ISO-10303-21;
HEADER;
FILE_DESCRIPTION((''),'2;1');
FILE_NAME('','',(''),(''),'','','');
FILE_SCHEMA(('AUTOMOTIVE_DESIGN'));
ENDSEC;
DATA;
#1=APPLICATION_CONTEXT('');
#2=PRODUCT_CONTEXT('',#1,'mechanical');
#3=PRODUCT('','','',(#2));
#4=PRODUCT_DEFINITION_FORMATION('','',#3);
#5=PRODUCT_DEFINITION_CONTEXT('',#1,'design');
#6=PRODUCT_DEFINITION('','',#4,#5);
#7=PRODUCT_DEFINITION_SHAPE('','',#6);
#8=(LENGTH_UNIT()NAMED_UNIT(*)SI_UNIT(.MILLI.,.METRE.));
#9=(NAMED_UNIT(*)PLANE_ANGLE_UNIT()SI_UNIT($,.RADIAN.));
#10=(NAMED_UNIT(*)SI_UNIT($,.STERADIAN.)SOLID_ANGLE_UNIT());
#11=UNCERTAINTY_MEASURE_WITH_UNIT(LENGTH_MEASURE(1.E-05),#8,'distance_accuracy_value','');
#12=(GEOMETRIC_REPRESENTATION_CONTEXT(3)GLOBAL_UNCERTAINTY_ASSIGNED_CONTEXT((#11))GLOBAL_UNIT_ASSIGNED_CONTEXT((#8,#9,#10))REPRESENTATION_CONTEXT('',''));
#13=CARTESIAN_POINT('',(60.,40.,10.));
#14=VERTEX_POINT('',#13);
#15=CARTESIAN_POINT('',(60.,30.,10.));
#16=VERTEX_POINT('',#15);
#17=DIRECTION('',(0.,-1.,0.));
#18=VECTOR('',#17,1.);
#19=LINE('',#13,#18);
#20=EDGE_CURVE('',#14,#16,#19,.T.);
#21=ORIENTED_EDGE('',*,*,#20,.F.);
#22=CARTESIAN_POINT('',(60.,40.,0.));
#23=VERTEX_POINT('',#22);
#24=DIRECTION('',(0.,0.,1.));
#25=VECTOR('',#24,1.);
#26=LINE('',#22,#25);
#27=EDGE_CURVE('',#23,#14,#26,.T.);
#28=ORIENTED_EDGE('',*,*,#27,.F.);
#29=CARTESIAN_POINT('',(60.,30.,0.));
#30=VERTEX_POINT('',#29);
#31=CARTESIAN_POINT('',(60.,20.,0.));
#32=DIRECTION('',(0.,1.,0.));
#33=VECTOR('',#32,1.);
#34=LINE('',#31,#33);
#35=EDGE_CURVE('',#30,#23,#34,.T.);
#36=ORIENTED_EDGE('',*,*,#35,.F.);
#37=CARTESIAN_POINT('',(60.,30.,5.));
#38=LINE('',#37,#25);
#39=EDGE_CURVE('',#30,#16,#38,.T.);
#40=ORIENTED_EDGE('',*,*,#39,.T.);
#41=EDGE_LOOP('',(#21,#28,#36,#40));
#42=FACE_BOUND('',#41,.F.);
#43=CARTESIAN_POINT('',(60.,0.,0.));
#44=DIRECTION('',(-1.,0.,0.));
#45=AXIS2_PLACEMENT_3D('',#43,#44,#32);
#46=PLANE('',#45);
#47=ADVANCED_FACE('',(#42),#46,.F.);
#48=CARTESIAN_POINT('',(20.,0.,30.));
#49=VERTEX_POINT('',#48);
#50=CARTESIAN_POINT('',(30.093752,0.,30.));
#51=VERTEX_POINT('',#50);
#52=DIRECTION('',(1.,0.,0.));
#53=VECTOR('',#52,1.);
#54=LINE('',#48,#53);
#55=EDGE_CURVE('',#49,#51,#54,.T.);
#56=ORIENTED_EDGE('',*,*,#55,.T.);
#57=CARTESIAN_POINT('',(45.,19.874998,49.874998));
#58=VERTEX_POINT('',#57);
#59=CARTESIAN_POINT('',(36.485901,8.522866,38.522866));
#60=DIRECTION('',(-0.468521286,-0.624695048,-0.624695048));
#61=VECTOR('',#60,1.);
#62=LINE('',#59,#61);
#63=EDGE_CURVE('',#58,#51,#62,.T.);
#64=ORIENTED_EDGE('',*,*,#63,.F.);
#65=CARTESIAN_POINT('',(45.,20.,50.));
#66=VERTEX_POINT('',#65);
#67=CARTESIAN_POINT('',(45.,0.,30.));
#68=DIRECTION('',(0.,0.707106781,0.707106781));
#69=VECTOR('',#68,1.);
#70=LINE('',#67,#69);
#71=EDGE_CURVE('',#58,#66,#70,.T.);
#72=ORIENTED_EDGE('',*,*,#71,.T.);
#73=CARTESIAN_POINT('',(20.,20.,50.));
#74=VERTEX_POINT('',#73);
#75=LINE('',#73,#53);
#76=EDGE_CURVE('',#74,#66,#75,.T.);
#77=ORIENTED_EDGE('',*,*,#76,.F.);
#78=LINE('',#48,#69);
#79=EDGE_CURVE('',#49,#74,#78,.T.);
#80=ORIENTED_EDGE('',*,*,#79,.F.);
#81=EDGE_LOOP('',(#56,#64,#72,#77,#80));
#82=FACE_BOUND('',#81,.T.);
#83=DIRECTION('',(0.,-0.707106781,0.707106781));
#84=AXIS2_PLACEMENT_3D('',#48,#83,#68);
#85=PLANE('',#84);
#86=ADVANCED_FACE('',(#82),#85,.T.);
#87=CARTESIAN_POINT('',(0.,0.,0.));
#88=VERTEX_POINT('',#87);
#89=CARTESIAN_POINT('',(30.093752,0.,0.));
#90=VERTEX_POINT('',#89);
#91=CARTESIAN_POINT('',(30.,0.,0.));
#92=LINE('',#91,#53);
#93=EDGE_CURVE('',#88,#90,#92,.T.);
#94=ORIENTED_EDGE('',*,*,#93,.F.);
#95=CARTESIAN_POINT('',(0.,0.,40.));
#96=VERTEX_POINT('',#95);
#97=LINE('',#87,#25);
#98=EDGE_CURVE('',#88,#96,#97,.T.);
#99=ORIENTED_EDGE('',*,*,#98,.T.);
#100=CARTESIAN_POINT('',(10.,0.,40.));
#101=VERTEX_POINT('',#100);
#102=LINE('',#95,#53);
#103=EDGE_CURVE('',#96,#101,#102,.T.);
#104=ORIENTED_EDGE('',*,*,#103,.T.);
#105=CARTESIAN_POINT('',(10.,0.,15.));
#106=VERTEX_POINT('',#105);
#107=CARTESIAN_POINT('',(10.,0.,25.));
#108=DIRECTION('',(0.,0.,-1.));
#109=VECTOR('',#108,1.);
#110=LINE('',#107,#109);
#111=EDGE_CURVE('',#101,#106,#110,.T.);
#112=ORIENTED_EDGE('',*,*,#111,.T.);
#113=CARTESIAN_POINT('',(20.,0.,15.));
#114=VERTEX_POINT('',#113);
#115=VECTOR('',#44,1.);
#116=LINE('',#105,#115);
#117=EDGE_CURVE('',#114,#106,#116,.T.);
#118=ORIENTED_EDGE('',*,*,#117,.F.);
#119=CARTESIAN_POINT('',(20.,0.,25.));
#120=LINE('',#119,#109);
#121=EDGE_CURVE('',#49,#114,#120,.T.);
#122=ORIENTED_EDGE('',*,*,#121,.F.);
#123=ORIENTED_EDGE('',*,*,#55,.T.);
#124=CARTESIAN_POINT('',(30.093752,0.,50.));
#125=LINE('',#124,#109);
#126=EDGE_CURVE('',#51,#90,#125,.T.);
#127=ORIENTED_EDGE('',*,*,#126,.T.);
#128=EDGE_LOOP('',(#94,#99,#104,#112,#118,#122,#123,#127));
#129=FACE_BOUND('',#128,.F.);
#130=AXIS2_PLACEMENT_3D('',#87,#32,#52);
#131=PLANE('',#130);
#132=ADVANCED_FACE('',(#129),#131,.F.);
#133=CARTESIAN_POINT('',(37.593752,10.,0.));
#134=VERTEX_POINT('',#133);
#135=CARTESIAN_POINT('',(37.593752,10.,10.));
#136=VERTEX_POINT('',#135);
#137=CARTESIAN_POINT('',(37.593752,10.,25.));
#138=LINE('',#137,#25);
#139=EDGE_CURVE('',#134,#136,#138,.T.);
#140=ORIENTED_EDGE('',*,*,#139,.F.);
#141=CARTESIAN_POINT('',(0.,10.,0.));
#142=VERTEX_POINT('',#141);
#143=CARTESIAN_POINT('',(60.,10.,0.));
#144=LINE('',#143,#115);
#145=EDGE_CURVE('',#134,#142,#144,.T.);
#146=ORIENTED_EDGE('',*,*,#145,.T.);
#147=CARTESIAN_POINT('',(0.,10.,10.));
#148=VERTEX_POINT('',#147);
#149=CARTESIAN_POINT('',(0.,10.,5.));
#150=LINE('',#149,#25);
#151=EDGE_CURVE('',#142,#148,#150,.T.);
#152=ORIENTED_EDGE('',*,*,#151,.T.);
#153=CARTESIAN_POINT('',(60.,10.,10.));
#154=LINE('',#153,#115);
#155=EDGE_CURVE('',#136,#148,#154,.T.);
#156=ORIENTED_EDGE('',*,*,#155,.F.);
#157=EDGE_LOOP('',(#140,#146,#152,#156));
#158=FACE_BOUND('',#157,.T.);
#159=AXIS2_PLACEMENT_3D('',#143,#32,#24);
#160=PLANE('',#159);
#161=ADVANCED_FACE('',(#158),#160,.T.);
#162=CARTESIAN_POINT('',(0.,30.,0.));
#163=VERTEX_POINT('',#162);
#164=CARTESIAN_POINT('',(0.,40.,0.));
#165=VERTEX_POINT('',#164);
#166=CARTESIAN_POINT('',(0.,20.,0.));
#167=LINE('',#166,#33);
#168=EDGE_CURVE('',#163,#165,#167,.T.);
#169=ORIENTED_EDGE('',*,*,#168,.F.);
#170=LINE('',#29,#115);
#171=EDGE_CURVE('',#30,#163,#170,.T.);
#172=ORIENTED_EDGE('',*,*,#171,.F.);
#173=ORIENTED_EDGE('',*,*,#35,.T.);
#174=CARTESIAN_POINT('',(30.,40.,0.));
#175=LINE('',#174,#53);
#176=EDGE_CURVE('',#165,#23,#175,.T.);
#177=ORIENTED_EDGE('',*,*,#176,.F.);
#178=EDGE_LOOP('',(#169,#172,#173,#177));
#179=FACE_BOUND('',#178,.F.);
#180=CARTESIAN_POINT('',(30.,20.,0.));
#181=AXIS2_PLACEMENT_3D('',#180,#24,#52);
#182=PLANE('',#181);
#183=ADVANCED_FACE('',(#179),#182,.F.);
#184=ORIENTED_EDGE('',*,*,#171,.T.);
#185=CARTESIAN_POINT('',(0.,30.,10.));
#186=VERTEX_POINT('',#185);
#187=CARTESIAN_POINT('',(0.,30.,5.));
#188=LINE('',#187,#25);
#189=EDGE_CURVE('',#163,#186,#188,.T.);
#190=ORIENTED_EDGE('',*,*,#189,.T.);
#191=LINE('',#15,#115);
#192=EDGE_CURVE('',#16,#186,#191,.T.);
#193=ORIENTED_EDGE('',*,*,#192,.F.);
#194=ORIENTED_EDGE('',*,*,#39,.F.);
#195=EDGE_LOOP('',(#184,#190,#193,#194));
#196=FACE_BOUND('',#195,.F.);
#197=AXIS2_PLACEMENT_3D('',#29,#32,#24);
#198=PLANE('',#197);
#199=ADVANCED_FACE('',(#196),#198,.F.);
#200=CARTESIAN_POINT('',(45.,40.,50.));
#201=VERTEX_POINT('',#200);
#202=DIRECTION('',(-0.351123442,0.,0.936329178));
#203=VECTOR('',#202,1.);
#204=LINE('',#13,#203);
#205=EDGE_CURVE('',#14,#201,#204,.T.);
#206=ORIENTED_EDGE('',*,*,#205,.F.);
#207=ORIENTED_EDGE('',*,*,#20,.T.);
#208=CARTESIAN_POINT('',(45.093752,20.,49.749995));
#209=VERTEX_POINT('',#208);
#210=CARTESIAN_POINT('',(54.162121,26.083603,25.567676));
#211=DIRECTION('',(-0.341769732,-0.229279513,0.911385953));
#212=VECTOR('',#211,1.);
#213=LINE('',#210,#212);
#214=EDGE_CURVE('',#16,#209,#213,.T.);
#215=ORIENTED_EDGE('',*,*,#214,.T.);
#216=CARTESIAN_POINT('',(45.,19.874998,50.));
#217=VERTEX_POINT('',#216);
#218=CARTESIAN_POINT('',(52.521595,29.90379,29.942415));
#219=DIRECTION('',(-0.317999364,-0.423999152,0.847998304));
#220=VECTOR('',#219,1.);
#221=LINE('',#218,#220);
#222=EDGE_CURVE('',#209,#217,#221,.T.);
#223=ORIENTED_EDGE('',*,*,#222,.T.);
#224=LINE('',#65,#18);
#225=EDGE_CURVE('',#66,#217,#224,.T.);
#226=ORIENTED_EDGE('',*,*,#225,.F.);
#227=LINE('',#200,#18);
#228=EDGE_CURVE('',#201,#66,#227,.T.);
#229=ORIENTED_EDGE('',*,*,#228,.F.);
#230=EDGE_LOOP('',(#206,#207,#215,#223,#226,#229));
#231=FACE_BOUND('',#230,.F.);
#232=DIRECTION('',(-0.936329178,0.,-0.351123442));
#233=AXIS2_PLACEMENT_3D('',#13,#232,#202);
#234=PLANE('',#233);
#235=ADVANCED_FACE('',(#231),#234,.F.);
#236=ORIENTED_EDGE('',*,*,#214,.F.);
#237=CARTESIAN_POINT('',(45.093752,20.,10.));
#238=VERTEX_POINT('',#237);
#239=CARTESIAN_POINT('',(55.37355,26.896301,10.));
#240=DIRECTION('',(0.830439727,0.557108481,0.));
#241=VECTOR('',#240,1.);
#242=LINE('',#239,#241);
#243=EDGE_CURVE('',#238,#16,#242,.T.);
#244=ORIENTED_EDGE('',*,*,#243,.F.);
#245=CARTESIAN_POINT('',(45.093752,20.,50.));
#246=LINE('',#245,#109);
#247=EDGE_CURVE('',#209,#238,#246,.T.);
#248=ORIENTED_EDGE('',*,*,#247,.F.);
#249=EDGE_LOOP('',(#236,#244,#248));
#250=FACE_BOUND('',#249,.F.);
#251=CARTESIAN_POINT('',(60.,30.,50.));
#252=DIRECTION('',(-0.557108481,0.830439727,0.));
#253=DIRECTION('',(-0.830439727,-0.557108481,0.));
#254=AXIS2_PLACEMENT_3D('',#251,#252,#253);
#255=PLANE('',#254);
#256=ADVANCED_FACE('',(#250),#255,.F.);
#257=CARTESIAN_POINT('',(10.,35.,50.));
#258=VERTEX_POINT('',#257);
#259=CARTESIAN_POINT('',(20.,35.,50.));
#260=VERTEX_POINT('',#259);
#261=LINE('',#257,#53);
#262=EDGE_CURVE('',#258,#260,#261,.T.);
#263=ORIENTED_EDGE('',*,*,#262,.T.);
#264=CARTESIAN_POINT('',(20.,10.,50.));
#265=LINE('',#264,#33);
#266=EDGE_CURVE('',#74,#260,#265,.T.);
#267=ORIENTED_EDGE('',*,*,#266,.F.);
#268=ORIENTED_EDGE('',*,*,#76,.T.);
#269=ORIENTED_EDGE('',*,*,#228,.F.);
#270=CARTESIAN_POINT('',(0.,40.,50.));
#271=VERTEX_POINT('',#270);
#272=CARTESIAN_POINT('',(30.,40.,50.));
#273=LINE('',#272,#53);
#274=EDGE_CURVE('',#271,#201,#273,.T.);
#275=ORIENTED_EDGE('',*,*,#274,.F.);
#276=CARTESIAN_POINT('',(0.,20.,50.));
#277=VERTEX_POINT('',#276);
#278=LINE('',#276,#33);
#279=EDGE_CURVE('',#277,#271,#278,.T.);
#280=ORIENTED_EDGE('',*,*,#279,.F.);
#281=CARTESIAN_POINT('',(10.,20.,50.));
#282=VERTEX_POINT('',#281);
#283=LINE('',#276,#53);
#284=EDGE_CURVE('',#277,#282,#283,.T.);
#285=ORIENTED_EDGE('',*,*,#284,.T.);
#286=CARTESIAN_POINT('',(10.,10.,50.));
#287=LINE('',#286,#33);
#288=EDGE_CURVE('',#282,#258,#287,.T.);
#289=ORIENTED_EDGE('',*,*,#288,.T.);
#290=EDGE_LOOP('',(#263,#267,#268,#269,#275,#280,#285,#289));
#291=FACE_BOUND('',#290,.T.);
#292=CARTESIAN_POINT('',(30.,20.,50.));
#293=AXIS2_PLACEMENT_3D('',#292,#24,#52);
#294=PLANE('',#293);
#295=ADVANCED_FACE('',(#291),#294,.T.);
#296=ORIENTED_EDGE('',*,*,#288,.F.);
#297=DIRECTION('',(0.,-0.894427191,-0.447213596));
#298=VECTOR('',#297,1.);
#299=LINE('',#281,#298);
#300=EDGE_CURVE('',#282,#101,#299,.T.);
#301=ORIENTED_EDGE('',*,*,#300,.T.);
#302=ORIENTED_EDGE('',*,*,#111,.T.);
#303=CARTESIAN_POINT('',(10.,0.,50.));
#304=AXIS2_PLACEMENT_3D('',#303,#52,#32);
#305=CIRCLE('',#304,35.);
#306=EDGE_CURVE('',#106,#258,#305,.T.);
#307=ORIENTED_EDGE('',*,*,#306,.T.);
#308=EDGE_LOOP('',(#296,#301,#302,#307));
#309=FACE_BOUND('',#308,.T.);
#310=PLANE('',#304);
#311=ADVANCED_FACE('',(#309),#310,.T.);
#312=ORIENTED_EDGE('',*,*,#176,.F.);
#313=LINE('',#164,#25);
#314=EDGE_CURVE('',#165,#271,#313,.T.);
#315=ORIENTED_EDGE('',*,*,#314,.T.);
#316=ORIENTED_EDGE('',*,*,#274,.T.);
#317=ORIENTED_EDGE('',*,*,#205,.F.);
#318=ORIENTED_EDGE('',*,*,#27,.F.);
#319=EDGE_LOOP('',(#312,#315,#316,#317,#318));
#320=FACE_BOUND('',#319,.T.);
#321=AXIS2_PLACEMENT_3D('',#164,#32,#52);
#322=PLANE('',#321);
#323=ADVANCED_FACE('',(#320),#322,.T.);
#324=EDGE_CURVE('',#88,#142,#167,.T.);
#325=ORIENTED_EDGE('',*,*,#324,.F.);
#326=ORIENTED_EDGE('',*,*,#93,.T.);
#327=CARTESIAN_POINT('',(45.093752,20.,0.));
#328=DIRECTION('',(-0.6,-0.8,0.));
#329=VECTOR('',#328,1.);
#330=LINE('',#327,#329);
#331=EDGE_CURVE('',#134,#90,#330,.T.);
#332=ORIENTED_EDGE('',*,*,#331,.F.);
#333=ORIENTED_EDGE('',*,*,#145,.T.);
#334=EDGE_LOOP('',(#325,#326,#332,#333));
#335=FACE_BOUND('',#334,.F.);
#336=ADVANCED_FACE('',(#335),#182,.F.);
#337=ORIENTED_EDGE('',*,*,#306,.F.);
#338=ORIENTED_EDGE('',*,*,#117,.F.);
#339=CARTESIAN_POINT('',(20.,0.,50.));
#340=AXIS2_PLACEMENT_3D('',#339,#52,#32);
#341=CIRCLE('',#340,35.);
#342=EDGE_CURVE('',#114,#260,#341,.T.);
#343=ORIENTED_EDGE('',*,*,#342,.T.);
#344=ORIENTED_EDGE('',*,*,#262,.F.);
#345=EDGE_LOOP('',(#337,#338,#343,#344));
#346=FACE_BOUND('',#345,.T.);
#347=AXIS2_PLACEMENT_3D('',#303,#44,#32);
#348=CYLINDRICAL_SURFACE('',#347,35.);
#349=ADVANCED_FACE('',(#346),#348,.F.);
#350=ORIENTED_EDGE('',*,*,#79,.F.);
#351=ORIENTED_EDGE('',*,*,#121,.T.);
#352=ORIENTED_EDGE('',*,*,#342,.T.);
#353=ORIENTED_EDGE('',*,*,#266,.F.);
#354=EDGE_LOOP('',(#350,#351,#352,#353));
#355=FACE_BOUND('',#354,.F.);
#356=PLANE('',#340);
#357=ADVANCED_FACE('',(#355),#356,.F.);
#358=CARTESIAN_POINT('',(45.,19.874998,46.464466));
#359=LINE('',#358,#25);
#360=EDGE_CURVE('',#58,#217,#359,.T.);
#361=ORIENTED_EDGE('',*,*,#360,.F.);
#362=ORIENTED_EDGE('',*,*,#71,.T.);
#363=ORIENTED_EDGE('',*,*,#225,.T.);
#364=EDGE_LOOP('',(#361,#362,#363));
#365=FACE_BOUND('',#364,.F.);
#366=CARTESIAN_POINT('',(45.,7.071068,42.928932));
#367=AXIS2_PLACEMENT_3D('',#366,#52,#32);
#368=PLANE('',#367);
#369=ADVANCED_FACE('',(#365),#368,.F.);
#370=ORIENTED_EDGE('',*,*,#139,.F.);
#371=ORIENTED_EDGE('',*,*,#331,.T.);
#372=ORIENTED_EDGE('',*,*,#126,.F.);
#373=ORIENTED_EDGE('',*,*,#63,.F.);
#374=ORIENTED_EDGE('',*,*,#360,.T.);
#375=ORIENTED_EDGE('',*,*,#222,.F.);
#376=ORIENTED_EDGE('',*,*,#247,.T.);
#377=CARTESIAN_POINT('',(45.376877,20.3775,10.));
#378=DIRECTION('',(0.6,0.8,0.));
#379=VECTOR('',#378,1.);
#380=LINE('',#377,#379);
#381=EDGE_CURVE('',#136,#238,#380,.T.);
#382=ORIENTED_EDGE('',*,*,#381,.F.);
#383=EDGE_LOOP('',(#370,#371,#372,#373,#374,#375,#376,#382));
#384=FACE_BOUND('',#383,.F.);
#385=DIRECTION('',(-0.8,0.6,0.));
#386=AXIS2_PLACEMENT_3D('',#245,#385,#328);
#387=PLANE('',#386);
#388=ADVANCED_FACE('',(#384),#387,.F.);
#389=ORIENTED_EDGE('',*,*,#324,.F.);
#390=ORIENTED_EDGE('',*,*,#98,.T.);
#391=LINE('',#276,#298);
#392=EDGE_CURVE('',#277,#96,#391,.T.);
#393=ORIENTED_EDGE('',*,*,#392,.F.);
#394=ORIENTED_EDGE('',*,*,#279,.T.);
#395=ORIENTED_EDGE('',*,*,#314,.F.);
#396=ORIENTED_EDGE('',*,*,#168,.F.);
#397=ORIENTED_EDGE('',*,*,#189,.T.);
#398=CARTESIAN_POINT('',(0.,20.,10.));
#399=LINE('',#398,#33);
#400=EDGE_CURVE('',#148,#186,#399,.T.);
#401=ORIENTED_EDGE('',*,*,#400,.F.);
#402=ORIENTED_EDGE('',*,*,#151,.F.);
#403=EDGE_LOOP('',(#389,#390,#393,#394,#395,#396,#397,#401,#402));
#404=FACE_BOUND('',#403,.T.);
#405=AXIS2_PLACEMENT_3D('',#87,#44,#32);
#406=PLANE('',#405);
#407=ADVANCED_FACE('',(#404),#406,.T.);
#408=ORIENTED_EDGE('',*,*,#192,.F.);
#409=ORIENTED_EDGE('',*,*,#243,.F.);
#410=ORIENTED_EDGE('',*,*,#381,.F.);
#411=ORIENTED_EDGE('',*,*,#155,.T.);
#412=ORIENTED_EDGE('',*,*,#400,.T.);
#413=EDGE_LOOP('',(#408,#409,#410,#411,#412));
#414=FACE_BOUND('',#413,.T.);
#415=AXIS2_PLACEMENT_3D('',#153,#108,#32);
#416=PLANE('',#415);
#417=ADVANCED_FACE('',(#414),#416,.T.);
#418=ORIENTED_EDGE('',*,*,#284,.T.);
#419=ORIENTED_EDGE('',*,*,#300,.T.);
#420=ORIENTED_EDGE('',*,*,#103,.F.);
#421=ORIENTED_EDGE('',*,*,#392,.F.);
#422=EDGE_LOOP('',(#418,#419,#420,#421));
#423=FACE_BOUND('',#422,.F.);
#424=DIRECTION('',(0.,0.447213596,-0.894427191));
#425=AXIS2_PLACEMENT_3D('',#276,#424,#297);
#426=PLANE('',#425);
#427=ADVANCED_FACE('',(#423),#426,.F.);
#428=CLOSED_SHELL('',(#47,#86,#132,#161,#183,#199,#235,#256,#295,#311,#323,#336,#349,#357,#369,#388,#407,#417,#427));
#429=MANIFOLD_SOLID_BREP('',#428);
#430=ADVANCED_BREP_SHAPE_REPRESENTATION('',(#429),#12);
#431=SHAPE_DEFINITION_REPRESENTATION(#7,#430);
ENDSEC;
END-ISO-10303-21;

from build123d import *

# Parameters (mm, degrees)
F0_W      = 60
F0_H      = 40
F1_DEPTH  = 50
F2_W      = 20
F2_H      = 10
F3_DEPTH  = 60
F7_DEPTH  = 10
F10_DEPTH = 25
F11_R     = 35
F12_DEPTH = 10
F15_DEPTH = 50
F17_DEPTH = 50.001
F19_DEPTH = 20.1260024637


with BuildPart() as f1:
    # F0 (on Top) → F1 (new body)
    with BuildSketch(Plane.XY):
        with Locations((30, 20)):
            Rectangle(F0_W, F0_H)
    extrude(amount=F1_DEPTH)

    # F2 (on face) → F3 (cut, through all)
    with BuildSketch(Plane.YZ.offset(60)):
        with Locations((20, 5)):
            Rectangle(F2_W, F2_H)
    extrude(amount=-F3_DEPTH, mode=Mode.SUBTRACT)

    # F6 (on face) → F7 (cut, through all)
    with BuildSketch(Plane(origin=(0, 0, 0), x_dir=(0, -1, 0), z_dir=(-1, 0, 0))):
        Polygon((0, 40), (0, 50), (-20, 50), align=None)
    extrude(amount=-F7_DEPTH, mode=Mode.SUBTRACT)

    # F9 (on offset) → F10 (cut, through all)
    with BuildSketch(Plane.YZ.offset(20)):
        Polygon((20, 50), (0, 50), (0, 30), align=None)
    extrude(amount=F10_DEPTH, mode=Mode.SUBTRACT)

    # F11 (on offset) → F12 (cut, through all)
    with BuildSketch(Plane.YZ.offset(10)):
        with Locations((0, 50)):
            Circle(F11_R)
    extrude(amount=F12_DEPTH, mode=Mode.SUBTRACT)

    # F14 (on offset) → F15 (cut)
    with BuildSketch(Plane.XY.offset(50)):
        Polygon((30.0937518477, 0), (45.0937518477, 0), (45.0937518477, 20), align=None)
    extrude(amount=-F15_DEPTH, mode=Mode.SUBTRACT)

    # F16 (on face) → F17 (cut, through all)
    with BuildSketch(Plane.XY.offset(50)):
        Polygon((60, 0), (60, 30), (45.0937518477, 20), (45.0937518477, 0), align=None)
    extrude(amount=-F17_DEPTH, mode=Mode.SUBTRACT)

    # F18 (on face) → F19 (cut, through all)
    with BuildSketch(Plane(origin=(0, 40, 0), x_dir=(-1, 0, 0), z_dir=(0, 1, 0))):
        Polygon((-45, 50), (-60, 50), (-60, 10), align=None)
    extrude(amount=-F19_DEPTH, mode=Mode.SUBTRACT)


solid = f1.part
